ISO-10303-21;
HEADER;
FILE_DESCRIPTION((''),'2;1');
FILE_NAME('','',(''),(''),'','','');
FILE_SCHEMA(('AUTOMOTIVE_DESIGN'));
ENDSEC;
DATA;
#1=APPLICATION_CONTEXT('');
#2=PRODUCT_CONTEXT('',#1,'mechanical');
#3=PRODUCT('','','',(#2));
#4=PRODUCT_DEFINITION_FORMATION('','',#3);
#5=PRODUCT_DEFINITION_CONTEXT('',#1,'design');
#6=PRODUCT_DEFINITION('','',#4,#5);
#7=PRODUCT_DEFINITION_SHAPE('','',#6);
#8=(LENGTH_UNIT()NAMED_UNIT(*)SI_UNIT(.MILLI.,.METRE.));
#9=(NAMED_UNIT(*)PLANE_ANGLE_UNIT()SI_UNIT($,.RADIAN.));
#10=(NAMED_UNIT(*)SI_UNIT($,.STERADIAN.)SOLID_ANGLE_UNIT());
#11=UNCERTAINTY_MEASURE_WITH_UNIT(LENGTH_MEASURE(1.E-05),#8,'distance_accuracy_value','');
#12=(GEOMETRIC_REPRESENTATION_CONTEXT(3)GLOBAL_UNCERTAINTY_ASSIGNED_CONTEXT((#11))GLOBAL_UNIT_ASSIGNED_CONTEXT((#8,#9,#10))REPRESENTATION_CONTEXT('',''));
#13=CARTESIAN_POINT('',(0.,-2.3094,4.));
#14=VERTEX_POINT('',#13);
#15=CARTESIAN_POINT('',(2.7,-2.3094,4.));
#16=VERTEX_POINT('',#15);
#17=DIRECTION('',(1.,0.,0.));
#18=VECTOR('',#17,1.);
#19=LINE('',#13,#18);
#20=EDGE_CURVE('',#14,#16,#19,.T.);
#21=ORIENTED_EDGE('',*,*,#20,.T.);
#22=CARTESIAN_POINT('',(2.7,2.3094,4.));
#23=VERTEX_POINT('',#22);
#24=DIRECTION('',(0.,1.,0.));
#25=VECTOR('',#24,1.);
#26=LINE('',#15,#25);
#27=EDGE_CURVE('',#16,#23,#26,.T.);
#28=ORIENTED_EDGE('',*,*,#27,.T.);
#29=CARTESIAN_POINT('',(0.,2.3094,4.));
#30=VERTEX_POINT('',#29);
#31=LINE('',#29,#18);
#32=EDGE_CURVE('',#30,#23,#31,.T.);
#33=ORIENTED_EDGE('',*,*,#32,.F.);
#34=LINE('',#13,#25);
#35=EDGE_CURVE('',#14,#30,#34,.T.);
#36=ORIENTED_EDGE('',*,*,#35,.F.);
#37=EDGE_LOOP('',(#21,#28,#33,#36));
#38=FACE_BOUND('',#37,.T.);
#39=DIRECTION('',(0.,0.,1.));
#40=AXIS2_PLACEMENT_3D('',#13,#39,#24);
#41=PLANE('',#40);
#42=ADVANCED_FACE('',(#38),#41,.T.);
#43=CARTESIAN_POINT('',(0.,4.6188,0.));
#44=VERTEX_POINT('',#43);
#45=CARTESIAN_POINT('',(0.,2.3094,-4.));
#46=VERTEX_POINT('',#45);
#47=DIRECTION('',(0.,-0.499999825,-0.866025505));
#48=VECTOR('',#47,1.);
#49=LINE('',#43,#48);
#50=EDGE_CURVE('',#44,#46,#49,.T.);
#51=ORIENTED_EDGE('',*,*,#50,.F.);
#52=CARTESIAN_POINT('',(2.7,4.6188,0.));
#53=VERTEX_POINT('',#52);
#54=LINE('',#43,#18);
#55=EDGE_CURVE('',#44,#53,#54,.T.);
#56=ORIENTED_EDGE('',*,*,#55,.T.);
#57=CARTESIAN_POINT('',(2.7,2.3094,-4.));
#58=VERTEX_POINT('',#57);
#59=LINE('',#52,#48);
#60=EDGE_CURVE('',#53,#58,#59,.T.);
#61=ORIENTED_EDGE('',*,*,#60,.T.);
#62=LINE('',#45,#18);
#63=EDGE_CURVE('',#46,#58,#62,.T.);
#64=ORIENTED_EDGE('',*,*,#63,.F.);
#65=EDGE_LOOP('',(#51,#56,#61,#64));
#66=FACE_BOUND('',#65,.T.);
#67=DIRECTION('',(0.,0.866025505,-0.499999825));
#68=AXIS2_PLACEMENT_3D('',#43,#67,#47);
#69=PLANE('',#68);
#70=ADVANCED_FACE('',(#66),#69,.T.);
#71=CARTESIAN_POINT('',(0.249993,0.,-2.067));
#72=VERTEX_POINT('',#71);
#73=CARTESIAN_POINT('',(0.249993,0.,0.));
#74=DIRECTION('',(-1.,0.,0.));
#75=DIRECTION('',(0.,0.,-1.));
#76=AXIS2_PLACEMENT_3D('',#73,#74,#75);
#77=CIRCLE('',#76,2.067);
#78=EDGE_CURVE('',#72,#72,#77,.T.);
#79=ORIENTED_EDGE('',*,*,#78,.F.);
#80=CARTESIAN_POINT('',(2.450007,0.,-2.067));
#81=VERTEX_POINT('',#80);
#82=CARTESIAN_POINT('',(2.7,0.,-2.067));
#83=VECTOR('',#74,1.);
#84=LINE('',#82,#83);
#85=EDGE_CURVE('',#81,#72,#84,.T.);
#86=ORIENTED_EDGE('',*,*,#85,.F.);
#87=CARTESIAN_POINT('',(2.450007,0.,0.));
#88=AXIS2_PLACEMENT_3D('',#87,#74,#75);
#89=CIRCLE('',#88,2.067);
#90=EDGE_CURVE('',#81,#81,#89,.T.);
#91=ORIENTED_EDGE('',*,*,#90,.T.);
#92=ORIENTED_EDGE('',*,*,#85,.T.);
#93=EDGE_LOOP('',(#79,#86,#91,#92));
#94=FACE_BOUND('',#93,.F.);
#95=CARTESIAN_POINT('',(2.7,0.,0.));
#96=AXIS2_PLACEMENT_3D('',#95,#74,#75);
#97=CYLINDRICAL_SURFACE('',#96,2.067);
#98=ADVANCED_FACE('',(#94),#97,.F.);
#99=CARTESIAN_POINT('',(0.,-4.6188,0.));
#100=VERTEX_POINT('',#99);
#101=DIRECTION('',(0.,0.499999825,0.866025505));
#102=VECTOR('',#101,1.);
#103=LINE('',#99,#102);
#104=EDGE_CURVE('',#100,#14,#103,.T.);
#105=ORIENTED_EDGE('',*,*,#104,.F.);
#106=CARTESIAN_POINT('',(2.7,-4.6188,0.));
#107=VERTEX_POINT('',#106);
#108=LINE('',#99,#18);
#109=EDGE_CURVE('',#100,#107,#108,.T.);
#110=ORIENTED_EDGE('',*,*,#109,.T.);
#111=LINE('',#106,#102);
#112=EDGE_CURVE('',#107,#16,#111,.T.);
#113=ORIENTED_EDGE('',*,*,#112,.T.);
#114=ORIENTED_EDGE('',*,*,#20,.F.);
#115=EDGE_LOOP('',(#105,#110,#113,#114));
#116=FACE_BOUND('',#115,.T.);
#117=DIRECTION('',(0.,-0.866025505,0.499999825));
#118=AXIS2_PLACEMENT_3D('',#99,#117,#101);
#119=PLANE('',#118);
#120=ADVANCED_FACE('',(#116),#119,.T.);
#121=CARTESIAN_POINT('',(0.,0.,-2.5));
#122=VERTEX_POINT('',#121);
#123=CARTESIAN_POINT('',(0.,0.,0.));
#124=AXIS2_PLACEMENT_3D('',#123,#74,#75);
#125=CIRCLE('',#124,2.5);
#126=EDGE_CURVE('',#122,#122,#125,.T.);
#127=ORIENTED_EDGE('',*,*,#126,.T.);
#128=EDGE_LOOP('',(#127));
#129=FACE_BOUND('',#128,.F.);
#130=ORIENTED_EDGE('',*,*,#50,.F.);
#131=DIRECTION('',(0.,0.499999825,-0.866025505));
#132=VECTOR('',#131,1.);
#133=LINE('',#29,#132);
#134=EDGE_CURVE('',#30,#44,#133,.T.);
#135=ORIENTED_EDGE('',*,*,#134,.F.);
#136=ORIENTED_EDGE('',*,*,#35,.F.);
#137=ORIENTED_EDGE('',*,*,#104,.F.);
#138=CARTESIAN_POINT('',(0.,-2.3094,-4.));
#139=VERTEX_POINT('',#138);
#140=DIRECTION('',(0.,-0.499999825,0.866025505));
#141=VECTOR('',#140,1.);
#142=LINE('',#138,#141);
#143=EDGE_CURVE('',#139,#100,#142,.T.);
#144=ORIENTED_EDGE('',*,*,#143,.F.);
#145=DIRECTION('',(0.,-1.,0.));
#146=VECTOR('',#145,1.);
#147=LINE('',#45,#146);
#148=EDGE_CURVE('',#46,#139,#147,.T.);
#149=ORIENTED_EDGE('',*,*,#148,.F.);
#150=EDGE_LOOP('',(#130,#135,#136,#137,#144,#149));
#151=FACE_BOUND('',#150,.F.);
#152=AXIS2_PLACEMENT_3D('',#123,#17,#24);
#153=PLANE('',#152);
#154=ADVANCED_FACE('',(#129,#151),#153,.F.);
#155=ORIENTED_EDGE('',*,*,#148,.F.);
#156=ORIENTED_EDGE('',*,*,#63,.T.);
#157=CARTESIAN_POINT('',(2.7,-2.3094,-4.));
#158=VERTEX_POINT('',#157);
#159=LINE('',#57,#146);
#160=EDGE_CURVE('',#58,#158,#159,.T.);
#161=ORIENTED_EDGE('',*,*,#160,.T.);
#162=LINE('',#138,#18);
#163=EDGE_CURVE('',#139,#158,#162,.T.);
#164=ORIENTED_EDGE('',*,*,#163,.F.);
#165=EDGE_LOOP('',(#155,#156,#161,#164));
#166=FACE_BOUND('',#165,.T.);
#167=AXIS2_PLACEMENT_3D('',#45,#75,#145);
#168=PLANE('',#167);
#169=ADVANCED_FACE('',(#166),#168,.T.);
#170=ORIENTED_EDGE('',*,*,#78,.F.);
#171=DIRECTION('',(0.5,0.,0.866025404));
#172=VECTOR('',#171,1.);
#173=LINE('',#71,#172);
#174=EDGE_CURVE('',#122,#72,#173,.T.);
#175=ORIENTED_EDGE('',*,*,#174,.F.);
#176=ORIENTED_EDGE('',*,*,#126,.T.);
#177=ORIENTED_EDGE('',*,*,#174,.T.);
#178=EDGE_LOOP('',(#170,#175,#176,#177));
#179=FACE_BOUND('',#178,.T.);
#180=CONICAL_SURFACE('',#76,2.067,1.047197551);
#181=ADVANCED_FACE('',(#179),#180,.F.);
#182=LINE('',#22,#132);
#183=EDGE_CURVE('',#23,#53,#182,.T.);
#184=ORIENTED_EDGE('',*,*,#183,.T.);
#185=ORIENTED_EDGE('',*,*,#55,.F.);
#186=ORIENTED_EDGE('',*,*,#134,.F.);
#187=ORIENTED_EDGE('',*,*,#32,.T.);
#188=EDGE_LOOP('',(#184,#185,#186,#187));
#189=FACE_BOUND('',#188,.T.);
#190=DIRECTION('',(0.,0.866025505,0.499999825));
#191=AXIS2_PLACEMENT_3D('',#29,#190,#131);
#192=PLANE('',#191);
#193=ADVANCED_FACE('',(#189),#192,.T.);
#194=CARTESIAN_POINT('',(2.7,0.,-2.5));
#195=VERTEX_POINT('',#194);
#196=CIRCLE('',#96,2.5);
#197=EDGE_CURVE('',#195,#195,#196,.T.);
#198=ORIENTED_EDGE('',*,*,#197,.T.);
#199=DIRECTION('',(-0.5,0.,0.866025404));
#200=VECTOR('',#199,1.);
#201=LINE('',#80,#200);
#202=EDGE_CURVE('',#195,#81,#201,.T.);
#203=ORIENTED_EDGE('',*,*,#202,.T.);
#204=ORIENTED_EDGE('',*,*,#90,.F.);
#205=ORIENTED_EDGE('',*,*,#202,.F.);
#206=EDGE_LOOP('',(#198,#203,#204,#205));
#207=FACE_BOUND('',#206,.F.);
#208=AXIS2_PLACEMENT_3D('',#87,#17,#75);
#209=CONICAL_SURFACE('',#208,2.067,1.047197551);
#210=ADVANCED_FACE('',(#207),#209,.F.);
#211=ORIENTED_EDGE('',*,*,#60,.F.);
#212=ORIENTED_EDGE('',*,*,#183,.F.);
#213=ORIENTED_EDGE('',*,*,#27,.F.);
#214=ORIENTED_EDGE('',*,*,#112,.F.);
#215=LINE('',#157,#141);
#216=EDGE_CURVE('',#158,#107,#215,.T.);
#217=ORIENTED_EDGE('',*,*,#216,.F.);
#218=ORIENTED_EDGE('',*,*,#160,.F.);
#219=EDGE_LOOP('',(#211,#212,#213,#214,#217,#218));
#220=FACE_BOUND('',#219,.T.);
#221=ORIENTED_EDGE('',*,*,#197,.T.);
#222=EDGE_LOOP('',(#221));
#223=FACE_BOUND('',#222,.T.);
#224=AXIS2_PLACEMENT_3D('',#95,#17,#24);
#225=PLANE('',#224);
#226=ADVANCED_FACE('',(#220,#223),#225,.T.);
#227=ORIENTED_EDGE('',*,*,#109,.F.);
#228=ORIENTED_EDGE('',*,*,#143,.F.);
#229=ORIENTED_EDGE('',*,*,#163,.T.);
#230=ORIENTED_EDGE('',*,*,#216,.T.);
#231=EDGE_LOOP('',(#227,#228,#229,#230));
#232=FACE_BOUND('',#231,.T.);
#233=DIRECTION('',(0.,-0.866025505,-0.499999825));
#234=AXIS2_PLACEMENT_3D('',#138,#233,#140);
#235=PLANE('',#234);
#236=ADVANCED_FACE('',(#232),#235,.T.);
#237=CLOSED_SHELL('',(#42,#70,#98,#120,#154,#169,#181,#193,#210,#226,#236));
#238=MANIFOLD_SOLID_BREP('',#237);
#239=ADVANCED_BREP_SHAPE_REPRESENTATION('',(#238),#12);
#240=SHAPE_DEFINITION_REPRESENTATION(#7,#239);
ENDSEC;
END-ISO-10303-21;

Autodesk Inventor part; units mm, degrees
ref_plane "YZ Plane" through (0, 0, 0) normal (1, 0, 0) x (0, 1, 0)
ref_plane "XZ Plane" through (0, 0, 0) normal (0, 1, 0) x (-1, 0, 0)
sketch "Boceto1" plane through (0, 0, 0) normal (1, 0, 0) x (0, 1, 0)
  line L0 (2.3094, -4) -> (-2.3094, -4)
  line L1 (-2.3094, -4) -> (-4.6188, 0)
  line L2 (-4.6188, 0) -> (-2.3094, 4)
  line L3 (-2.3094, 4) -> (2.3094, 4)
  line L4 (2.3094, 4) -> (4.6188, 0)
  line L5 (4.6188, 0) -> (2.3094, -4)
  point P0 (0, 0)
  point P1 (0, 0)
  dimension "d0" = 9.2376
extrude "Cuerpo" add sketch "Boceto1" along normal blind 2.7
sketch "Boceto2" plane through (2.7, 0, 0) normal (1, 0, 0) x (0, 0, -1)
  point P0 (0, 0)
hole "Rosca" at (2.7, 0, 0) direction (-1, 0, 0) diameter 4.134 end through all thread size "M5x0.8" class "6H" standard "ISO Metric profile"
chamfer "Chaflán2" distance 0.433 angle 30 1 edges at (2.7, 0, 2.067) measured on face at (2.7, 2.8764, -1.7247)
chamfer "Chaflán1" distance 0.433 angle 30 1 edges at (0, 0, 2.067) measured on face at (0, 2.8764, -1.7247)
ref_plane "Work Plane1" through (-9.8149, 0, 0) normal (0, 0, -1) x (1, 0, 0)
equation "\"d0\" = 1.1547 * SW"
equation "\"d1\" = KOH"
equation "\"d12\" = -0.5 * GD1 + 0.5 * NND"
equation "\"d19\" = -0.5 * GD1 + 0.5 * NND"
equation "\"d10\" = -0.5 * GD1 + 0.5 * NND"
equation "\"d18\" = -0.5 * GD1 + 0.5 * NND"
equation "\"NND\" = 5"
equation "\"KOH\" = 2.7"
equation "\"SW\" = 8"
equation "\"GUL\" = 0.541266 * PTC"
equation "\"THREADDIA\" = 5"
equation "\"TOA\" = 30deg"
equation "\"PTC\" = 0.8"
equation "\"E0\" = 1.155 * SW"
equation "\"GAL\" = 0.541266 * PTC"
equation "\"GD1\" = 4.133975"
properties part number "AS 1474 - M5" material "Acero, suave"
